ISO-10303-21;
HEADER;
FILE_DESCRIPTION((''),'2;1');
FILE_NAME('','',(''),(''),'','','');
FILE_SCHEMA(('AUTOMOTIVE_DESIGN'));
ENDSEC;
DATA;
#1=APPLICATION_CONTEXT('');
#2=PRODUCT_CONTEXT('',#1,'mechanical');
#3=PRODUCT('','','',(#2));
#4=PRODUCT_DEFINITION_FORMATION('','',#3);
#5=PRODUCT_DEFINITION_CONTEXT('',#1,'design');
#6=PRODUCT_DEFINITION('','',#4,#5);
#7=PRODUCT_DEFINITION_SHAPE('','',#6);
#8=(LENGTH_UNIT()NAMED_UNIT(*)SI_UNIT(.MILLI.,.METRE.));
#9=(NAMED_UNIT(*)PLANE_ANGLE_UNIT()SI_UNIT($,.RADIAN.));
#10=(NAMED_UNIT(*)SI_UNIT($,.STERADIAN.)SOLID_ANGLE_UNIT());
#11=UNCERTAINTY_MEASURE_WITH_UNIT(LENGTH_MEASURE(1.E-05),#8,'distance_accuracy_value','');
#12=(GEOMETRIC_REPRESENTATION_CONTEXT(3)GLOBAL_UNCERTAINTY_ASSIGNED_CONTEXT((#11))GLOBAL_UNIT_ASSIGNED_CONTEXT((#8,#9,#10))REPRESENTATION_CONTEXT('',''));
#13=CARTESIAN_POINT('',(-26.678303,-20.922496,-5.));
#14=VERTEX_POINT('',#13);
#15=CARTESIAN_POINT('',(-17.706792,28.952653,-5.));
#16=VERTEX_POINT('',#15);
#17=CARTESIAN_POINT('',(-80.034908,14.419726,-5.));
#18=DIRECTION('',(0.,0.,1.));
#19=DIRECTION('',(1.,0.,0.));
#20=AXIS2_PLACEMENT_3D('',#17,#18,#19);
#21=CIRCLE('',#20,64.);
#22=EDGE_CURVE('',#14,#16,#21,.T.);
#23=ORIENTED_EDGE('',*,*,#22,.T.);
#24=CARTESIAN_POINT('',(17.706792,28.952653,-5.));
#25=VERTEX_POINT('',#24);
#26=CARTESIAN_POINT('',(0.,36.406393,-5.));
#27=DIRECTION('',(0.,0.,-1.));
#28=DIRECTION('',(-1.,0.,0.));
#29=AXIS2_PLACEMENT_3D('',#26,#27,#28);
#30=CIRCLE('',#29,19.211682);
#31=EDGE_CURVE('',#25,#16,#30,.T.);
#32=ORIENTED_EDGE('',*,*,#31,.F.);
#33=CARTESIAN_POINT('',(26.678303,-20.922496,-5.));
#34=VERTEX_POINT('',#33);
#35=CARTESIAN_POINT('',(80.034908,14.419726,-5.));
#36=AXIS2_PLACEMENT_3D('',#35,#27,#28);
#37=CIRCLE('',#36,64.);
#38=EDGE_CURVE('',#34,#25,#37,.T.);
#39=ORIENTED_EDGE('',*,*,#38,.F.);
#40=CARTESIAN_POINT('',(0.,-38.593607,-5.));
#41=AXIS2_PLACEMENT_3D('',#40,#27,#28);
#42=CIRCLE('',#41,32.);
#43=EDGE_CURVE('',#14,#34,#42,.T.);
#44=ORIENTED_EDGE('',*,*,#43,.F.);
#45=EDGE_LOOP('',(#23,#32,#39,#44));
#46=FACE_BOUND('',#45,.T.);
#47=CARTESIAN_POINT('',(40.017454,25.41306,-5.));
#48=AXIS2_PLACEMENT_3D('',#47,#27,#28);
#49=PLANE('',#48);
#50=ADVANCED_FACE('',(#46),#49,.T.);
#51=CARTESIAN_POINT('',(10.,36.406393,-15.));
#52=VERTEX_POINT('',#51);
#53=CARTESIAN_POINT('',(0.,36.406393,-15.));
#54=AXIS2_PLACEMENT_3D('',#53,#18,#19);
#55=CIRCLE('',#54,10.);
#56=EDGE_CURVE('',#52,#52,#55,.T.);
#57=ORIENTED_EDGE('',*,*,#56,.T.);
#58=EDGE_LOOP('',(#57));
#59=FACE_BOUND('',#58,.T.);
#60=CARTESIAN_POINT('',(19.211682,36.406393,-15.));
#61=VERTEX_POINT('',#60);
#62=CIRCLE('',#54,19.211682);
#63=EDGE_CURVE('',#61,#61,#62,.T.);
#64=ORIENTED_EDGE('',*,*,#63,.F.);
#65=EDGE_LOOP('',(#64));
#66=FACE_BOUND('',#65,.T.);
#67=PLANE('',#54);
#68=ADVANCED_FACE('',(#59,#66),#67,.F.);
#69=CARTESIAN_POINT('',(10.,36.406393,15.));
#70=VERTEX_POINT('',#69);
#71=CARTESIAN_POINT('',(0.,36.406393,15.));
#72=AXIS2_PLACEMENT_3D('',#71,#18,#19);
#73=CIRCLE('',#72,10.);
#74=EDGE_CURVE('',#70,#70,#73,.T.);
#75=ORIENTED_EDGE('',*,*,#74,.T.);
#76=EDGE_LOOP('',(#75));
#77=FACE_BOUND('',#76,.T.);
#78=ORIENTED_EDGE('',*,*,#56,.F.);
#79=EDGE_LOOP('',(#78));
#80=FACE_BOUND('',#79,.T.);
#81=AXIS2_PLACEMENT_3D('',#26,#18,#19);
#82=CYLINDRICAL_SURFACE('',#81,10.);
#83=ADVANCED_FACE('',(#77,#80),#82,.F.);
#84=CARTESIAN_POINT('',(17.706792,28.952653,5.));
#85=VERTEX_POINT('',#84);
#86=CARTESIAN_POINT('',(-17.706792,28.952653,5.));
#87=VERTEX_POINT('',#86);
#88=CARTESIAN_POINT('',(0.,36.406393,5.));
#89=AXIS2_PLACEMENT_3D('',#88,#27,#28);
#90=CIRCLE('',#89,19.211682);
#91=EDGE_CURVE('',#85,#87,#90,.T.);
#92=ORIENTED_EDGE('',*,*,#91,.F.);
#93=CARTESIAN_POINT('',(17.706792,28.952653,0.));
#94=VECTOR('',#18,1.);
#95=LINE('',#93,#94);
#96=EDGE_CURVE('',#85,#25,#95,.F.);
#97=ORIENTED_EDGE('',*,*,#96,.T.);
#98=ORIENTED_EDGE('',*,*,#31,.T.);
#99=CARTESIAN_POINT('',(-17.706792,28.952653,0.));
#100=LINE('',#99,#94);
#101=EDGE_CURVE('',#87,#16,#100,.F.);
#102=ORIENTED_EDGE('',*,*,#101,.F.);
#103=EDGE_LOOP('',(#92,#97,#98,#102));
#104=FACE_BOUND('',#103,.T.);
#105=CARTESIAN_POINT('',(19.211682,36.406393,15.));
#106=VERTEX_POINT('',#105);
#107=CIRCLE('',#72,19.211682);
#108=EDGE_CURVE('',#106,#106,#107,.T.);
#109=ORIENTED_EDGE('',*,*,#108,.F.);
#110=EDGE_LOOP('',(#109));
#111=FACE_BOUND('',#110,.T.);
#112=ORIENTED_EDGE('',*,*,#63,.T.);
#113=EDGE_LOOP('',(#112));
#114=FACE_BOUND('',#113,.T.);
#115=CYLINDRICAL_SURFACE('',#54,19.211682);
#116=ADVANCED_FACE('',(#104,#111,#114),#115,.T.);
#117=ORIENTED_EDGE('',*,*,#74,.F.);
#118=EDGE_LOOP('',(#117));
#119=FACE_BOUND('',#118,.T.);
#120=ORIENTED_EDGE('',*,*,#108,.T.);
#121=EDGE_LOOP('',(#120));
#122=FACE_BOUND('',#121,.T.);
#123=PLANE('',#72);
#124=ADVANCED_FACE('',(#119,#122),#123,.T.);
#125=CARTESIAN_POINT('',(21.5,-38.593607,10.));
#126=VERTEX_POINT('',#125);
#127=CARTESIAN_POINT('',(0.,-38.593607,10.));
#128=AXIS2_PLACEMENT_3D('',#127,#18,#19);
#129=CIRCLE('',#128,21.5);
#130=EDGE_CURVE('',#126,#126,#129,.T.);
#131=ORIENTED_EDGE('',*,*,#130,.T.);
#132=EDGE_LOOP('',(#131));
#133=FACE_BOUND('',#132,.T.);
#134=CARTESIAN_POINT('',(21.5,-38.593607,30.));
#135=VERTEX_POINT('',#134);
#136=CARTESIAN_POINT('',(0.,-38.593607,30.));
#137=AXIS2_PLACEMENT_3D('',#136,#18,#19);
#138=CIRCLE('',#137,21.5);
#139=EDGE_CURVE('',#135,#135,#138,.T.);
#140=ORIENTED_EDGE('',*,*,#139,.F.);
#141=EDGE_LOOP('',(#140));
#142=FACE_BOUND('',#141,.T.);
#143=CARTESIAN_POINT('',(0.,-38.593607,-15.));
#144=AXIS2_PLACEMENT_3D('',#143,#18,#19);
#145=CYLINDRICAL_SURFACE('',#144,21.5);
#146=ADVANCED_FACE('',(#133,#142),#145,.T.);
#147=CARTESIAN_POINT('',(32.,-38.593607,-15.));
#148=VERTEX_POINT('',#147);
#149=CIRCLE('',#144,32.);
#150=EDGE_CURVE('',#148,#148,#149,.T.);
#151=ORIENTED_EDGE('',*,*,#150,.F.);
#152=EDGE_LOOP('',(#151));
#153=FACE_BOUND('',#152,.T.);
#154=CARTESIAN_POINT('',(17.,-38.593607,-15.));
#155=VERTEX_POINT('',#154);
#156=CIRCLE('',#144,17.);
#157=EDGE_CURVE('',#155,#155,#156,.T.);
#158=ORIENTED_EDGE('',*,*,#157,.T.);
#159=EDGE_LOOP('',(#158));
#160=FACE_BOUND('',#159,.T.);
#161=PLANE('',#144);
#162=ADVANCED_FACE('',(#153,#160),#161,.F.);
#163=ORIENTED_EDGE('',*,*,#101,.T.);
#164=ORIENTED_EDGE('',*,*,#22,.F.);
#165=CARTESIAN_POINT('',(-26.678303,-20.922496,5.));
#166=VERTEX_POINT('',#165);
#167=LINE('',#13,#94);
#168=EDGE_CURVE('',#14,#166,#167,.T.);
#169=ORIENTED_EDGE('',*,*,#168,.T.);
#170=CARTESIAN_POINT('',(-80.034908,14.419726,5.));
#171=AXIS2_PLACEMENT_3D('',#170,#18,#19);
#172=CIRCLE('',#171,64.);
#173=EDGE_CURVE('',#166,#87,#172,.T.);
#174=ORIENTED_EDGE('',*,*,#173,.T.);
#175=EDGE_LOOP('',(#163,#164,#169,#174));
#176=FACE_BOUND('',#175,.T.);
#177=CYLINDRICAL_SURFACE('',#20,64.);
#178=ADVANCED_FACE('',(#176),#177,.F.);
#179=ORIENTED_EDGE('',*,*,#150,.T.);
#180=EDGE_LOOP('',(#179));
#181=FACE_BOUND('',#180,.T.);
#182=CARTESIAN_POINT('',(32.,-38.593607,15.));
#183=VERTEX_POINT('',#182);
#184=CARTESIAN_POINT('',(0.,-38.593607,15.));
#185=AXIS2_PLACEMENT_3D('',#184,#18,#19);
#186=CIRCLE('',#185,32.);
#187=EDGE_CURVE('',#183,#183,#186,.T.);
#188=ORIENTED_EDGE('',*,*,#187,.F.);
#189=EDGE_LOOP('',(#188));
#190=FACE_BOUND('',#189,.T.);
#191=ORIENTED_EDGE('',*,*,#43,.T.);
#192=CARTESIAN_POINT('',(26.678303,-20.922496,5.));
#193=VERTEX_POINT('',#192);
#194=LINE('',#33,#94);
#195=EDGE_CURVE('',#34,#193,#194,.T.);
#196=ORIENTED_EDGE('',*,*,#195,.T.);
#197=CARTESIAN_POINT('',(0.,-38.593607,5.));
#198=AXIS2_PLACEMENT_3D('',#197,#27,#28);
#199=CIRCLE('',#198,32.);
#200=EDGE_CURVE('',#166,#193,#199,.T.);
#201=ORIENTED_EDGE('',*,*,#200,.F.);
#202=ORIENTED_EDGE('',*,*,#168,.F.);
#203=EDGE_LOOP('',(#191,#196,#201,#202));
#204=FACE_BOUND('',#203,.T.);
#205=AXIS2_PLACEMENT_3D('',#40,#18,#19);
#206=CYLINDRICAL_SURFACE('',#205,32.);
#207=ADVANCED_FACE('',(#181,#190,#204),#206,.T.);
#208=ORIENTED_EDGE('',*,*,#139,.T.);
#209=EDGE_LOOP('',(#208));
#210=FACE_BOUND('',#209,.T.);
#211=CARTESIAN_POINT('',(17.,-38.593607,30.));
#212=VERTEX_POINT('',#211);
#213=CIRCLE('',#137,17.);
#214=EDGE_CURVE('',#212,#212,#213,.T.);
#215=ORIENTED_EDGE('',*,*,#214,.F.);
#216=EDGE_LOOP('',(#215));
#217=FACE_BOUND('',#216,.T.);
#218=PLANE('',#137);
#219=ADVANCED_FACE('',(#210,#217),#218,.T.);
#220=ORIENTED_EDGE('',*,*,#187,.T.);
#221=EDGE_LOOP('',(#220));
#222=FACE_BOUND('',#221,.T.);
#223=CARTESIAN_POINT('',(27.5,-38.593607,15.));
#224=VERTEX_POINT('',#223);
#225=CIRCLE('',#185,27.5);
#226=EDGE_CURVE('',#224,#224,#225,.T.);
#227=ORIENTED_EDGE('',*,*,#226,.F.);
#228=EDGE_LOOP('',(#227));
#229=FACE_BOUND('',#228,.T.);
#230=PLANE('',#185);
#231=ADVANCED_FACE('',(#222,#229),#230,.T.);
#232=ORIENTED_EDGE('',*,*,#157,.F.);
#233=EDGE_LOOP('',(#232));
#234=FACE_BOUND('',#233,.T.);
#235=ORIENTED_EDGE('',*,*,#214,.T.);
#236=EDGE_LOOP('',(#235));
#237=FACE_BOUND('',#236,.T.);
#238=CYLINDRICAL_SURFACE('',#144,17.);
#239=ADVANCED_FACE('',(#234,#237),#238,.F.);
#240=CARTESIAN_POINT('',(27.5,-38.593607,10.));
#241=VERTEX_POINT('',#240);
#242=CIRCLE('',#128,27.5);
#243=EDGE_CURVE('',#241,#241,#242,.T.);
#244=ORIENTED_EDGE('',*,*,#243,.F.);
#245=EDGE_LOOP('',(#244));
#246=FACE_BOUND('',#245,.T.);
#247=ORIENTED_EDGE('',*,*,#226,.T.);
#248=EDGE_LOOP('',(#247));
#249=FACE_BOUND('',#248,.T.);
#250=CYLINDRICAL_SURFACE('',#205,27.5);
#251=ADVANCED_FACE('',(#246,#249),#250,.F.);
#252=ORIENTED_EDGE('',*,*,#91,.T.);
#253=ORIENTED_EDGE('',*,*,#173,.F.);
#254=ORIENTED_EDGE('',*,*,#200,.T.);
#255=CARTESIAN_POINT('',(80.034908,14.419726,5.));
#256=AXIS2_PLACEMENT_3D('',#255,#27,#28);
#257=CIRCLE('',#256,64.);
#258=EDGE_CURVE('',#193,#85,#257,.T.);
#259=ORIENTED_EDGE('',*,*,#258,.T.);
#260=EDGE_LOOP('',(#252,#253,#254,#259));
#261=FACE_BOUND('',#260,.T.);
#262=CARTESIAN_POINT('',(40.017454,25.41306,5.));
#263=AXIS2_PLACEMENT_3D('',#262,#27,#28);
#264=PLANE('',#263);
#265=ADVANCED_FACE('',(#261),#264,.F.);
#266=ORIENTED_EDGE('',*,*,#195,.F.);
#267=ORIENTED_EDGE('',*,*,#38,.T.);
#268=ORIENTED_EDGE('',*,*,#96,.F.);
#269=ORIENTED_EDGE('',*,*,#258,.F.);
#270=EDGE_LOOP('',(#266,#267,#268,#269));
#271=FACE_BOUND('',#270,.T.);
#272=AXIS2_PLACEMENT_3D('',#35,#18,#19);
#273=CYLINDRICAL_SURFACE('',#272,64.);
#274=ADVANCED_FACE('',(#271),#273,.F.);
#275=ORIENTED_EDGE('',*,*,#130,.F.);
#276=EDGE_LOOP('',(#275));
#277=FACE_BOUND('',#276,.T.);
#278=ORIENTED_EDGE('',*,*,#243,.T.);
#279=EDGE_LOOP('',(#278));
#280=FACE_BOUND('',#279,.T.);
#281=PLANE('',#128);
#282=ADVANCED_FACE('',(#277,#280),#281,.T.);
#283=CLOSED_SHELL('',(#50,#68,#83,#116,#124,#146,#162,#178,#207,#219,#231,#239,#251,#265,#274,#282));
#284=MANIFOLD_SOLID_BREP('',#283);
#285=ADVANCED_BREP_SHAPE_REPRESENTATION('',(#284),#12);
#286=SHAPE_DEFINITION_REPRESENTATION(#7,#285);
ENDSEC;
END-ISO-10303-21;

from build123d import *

# Parameters (mm, degrees)
BOSS_EXTRUDE1_DEPTH      = 5
BOSS_EXTRUDE1_DEPTH_BACK = 5
SKETCH1_R                = 27.5
SKETCH1_R_2              = 10
BOSS_EXTRUDE3_DEPTH      = 15
BOSS_EXTRUDE3_DEPTH_BACK = 15
SKETCH1_5_R              = 19.211681975
SKETCH1_5_R_2            = 10
SKETCH1_5_R_3            = 32
SKETCH1_5_R_4            = 27.5
BOSS_EXTRUDE4_DEPTH      = 30
BOSS_EXTRUDE4_DEPTH_BACK = 15
SKETCH1_6_R              = 21.5
SKETCH1_6_R_2            = 17
BOSS_EXTRUDE5_DEPTH      = 10
BOSS_EXTRUDE5_DEPTH_BACK = 15
SKETCH1_7_R              = 27.5
SKETCH1_7_R_2            = 21.5


with BuildPart() as part:
    # Sketch1 → Boss-Extrude1 (new, two sides: drawn at the far end of the back side and taken through both)
    with BuildSketch(Plane.XY.offset(-BOSS_EXTRUDE1_DEPTH_BACK)):
        with BuildLine():
            ThreePointArc((-26.678302647, -20.922495817), (0, -70.593606928), (26.678302647, -20.922495817))
            ThreePointArc((26.678302647, -20.922495817), (16.836772686, 4.320434327), (18.321243986, 31.373300703))
            ThreePointArc((18.321243986, 31.373300703), (0, 55.406393072), (-18.321243986, 31.373300703))
            ThreePointArc((-18.321243986, 31.373300703), (-16.836772686, 4.320434327), (-26.678302647, -20.922495817))
        make_face()
        with Locations((0, -38.593606928)):
            Circle(SKETCH1_R, mode=Mode.SUBTRACT)
        with Locations((0, 36.406393072)):
            Circle(SKETCH1_R_2, mode=Mode.SUBTRACT)
    extrude(amount=BOSS_EXTRUDE1_DEPTH + BOSS_EXTRUDE1_DEPTH_BACK)

    # Sketch1<5> → Boss-Extrude3 (add, two sides: drawn at the far end of the back side and taken through both)
    # profile 1 of 2: a face of its own
    with BuildSketch(Plane.XY.offset(-BOSS_EXTRUDE3_DEPTH_BACK)):
        with Locations((0, 36.406393072)):
            Circle(SKETCH1_5_R)
        with Locations((0, 36.406393072)):
            Circle(SKETCH1_5_R_2, mode=Mode.SUBTRACT)
    # profile 2 of 2: a face of its own
    with BuildSketch(Plane.XY.offset(-BOSS_EXTRUDE3_DEPTH_BACK)):
        with Locations((0, -38.593606928)):
            Circle(SKETCH1_5_R_3)
        with Locations((0, -38.593606928)):
            Circle(SKETCH1_5_R_4, mode=Mode.SUBTRACT)
    extrude(amount=BOSS_EXTRUDE3_DEPTH + BOSS_EXTRUDE3_DEPTH_BACK)



with BuildPart() as body_2:
    # Sketch1<6> → Boss-Extrude4 (new, two sides: drawn at the far end of the back side and taken through both)
    with BuildSketch(Plane.XY.offset(-BOSS_EXTRUDE4_DEPTH_BACK)):
        with Locations((0, -38.593606928)):
            Circle(SKETCH1_6_R)
        with Locations((0, -38.593606928)):
            Circle(SKETCH1_6_R_2, mode=Mode.SUBTRACT)
    extrude(amount=BOSS_EXTRUDE4_DEPTH + BOSS_EXTRUDE4_DEPTH_BACK)


with BuildPart() as part_1:
    add(part.part)

    add(body_2.part)  # Boss-Extrude5 merges body 2
    # Sketch1<7> → Boss-Extrude5 (add, two sides: drawn at the far end of the back side and taken through both)
    with BuildSketch(Plane.XY.offset(-BOSS_EXTRUDE5_DEPTH_BACK)):
        with Locations((0, -38.593606928)):
            Circle(SKETCH1_7_R)
        with Locations((0, -38.593606928)):
            Circle(SKETCH1_7_R_2, mode=Mode.SUBTRACT)
    extrude(amount=BOSS_EXTRUDE5_DEPTH + BOSS_EXTRUDE5_DEPTH_BACK)


solid = part_1.part
